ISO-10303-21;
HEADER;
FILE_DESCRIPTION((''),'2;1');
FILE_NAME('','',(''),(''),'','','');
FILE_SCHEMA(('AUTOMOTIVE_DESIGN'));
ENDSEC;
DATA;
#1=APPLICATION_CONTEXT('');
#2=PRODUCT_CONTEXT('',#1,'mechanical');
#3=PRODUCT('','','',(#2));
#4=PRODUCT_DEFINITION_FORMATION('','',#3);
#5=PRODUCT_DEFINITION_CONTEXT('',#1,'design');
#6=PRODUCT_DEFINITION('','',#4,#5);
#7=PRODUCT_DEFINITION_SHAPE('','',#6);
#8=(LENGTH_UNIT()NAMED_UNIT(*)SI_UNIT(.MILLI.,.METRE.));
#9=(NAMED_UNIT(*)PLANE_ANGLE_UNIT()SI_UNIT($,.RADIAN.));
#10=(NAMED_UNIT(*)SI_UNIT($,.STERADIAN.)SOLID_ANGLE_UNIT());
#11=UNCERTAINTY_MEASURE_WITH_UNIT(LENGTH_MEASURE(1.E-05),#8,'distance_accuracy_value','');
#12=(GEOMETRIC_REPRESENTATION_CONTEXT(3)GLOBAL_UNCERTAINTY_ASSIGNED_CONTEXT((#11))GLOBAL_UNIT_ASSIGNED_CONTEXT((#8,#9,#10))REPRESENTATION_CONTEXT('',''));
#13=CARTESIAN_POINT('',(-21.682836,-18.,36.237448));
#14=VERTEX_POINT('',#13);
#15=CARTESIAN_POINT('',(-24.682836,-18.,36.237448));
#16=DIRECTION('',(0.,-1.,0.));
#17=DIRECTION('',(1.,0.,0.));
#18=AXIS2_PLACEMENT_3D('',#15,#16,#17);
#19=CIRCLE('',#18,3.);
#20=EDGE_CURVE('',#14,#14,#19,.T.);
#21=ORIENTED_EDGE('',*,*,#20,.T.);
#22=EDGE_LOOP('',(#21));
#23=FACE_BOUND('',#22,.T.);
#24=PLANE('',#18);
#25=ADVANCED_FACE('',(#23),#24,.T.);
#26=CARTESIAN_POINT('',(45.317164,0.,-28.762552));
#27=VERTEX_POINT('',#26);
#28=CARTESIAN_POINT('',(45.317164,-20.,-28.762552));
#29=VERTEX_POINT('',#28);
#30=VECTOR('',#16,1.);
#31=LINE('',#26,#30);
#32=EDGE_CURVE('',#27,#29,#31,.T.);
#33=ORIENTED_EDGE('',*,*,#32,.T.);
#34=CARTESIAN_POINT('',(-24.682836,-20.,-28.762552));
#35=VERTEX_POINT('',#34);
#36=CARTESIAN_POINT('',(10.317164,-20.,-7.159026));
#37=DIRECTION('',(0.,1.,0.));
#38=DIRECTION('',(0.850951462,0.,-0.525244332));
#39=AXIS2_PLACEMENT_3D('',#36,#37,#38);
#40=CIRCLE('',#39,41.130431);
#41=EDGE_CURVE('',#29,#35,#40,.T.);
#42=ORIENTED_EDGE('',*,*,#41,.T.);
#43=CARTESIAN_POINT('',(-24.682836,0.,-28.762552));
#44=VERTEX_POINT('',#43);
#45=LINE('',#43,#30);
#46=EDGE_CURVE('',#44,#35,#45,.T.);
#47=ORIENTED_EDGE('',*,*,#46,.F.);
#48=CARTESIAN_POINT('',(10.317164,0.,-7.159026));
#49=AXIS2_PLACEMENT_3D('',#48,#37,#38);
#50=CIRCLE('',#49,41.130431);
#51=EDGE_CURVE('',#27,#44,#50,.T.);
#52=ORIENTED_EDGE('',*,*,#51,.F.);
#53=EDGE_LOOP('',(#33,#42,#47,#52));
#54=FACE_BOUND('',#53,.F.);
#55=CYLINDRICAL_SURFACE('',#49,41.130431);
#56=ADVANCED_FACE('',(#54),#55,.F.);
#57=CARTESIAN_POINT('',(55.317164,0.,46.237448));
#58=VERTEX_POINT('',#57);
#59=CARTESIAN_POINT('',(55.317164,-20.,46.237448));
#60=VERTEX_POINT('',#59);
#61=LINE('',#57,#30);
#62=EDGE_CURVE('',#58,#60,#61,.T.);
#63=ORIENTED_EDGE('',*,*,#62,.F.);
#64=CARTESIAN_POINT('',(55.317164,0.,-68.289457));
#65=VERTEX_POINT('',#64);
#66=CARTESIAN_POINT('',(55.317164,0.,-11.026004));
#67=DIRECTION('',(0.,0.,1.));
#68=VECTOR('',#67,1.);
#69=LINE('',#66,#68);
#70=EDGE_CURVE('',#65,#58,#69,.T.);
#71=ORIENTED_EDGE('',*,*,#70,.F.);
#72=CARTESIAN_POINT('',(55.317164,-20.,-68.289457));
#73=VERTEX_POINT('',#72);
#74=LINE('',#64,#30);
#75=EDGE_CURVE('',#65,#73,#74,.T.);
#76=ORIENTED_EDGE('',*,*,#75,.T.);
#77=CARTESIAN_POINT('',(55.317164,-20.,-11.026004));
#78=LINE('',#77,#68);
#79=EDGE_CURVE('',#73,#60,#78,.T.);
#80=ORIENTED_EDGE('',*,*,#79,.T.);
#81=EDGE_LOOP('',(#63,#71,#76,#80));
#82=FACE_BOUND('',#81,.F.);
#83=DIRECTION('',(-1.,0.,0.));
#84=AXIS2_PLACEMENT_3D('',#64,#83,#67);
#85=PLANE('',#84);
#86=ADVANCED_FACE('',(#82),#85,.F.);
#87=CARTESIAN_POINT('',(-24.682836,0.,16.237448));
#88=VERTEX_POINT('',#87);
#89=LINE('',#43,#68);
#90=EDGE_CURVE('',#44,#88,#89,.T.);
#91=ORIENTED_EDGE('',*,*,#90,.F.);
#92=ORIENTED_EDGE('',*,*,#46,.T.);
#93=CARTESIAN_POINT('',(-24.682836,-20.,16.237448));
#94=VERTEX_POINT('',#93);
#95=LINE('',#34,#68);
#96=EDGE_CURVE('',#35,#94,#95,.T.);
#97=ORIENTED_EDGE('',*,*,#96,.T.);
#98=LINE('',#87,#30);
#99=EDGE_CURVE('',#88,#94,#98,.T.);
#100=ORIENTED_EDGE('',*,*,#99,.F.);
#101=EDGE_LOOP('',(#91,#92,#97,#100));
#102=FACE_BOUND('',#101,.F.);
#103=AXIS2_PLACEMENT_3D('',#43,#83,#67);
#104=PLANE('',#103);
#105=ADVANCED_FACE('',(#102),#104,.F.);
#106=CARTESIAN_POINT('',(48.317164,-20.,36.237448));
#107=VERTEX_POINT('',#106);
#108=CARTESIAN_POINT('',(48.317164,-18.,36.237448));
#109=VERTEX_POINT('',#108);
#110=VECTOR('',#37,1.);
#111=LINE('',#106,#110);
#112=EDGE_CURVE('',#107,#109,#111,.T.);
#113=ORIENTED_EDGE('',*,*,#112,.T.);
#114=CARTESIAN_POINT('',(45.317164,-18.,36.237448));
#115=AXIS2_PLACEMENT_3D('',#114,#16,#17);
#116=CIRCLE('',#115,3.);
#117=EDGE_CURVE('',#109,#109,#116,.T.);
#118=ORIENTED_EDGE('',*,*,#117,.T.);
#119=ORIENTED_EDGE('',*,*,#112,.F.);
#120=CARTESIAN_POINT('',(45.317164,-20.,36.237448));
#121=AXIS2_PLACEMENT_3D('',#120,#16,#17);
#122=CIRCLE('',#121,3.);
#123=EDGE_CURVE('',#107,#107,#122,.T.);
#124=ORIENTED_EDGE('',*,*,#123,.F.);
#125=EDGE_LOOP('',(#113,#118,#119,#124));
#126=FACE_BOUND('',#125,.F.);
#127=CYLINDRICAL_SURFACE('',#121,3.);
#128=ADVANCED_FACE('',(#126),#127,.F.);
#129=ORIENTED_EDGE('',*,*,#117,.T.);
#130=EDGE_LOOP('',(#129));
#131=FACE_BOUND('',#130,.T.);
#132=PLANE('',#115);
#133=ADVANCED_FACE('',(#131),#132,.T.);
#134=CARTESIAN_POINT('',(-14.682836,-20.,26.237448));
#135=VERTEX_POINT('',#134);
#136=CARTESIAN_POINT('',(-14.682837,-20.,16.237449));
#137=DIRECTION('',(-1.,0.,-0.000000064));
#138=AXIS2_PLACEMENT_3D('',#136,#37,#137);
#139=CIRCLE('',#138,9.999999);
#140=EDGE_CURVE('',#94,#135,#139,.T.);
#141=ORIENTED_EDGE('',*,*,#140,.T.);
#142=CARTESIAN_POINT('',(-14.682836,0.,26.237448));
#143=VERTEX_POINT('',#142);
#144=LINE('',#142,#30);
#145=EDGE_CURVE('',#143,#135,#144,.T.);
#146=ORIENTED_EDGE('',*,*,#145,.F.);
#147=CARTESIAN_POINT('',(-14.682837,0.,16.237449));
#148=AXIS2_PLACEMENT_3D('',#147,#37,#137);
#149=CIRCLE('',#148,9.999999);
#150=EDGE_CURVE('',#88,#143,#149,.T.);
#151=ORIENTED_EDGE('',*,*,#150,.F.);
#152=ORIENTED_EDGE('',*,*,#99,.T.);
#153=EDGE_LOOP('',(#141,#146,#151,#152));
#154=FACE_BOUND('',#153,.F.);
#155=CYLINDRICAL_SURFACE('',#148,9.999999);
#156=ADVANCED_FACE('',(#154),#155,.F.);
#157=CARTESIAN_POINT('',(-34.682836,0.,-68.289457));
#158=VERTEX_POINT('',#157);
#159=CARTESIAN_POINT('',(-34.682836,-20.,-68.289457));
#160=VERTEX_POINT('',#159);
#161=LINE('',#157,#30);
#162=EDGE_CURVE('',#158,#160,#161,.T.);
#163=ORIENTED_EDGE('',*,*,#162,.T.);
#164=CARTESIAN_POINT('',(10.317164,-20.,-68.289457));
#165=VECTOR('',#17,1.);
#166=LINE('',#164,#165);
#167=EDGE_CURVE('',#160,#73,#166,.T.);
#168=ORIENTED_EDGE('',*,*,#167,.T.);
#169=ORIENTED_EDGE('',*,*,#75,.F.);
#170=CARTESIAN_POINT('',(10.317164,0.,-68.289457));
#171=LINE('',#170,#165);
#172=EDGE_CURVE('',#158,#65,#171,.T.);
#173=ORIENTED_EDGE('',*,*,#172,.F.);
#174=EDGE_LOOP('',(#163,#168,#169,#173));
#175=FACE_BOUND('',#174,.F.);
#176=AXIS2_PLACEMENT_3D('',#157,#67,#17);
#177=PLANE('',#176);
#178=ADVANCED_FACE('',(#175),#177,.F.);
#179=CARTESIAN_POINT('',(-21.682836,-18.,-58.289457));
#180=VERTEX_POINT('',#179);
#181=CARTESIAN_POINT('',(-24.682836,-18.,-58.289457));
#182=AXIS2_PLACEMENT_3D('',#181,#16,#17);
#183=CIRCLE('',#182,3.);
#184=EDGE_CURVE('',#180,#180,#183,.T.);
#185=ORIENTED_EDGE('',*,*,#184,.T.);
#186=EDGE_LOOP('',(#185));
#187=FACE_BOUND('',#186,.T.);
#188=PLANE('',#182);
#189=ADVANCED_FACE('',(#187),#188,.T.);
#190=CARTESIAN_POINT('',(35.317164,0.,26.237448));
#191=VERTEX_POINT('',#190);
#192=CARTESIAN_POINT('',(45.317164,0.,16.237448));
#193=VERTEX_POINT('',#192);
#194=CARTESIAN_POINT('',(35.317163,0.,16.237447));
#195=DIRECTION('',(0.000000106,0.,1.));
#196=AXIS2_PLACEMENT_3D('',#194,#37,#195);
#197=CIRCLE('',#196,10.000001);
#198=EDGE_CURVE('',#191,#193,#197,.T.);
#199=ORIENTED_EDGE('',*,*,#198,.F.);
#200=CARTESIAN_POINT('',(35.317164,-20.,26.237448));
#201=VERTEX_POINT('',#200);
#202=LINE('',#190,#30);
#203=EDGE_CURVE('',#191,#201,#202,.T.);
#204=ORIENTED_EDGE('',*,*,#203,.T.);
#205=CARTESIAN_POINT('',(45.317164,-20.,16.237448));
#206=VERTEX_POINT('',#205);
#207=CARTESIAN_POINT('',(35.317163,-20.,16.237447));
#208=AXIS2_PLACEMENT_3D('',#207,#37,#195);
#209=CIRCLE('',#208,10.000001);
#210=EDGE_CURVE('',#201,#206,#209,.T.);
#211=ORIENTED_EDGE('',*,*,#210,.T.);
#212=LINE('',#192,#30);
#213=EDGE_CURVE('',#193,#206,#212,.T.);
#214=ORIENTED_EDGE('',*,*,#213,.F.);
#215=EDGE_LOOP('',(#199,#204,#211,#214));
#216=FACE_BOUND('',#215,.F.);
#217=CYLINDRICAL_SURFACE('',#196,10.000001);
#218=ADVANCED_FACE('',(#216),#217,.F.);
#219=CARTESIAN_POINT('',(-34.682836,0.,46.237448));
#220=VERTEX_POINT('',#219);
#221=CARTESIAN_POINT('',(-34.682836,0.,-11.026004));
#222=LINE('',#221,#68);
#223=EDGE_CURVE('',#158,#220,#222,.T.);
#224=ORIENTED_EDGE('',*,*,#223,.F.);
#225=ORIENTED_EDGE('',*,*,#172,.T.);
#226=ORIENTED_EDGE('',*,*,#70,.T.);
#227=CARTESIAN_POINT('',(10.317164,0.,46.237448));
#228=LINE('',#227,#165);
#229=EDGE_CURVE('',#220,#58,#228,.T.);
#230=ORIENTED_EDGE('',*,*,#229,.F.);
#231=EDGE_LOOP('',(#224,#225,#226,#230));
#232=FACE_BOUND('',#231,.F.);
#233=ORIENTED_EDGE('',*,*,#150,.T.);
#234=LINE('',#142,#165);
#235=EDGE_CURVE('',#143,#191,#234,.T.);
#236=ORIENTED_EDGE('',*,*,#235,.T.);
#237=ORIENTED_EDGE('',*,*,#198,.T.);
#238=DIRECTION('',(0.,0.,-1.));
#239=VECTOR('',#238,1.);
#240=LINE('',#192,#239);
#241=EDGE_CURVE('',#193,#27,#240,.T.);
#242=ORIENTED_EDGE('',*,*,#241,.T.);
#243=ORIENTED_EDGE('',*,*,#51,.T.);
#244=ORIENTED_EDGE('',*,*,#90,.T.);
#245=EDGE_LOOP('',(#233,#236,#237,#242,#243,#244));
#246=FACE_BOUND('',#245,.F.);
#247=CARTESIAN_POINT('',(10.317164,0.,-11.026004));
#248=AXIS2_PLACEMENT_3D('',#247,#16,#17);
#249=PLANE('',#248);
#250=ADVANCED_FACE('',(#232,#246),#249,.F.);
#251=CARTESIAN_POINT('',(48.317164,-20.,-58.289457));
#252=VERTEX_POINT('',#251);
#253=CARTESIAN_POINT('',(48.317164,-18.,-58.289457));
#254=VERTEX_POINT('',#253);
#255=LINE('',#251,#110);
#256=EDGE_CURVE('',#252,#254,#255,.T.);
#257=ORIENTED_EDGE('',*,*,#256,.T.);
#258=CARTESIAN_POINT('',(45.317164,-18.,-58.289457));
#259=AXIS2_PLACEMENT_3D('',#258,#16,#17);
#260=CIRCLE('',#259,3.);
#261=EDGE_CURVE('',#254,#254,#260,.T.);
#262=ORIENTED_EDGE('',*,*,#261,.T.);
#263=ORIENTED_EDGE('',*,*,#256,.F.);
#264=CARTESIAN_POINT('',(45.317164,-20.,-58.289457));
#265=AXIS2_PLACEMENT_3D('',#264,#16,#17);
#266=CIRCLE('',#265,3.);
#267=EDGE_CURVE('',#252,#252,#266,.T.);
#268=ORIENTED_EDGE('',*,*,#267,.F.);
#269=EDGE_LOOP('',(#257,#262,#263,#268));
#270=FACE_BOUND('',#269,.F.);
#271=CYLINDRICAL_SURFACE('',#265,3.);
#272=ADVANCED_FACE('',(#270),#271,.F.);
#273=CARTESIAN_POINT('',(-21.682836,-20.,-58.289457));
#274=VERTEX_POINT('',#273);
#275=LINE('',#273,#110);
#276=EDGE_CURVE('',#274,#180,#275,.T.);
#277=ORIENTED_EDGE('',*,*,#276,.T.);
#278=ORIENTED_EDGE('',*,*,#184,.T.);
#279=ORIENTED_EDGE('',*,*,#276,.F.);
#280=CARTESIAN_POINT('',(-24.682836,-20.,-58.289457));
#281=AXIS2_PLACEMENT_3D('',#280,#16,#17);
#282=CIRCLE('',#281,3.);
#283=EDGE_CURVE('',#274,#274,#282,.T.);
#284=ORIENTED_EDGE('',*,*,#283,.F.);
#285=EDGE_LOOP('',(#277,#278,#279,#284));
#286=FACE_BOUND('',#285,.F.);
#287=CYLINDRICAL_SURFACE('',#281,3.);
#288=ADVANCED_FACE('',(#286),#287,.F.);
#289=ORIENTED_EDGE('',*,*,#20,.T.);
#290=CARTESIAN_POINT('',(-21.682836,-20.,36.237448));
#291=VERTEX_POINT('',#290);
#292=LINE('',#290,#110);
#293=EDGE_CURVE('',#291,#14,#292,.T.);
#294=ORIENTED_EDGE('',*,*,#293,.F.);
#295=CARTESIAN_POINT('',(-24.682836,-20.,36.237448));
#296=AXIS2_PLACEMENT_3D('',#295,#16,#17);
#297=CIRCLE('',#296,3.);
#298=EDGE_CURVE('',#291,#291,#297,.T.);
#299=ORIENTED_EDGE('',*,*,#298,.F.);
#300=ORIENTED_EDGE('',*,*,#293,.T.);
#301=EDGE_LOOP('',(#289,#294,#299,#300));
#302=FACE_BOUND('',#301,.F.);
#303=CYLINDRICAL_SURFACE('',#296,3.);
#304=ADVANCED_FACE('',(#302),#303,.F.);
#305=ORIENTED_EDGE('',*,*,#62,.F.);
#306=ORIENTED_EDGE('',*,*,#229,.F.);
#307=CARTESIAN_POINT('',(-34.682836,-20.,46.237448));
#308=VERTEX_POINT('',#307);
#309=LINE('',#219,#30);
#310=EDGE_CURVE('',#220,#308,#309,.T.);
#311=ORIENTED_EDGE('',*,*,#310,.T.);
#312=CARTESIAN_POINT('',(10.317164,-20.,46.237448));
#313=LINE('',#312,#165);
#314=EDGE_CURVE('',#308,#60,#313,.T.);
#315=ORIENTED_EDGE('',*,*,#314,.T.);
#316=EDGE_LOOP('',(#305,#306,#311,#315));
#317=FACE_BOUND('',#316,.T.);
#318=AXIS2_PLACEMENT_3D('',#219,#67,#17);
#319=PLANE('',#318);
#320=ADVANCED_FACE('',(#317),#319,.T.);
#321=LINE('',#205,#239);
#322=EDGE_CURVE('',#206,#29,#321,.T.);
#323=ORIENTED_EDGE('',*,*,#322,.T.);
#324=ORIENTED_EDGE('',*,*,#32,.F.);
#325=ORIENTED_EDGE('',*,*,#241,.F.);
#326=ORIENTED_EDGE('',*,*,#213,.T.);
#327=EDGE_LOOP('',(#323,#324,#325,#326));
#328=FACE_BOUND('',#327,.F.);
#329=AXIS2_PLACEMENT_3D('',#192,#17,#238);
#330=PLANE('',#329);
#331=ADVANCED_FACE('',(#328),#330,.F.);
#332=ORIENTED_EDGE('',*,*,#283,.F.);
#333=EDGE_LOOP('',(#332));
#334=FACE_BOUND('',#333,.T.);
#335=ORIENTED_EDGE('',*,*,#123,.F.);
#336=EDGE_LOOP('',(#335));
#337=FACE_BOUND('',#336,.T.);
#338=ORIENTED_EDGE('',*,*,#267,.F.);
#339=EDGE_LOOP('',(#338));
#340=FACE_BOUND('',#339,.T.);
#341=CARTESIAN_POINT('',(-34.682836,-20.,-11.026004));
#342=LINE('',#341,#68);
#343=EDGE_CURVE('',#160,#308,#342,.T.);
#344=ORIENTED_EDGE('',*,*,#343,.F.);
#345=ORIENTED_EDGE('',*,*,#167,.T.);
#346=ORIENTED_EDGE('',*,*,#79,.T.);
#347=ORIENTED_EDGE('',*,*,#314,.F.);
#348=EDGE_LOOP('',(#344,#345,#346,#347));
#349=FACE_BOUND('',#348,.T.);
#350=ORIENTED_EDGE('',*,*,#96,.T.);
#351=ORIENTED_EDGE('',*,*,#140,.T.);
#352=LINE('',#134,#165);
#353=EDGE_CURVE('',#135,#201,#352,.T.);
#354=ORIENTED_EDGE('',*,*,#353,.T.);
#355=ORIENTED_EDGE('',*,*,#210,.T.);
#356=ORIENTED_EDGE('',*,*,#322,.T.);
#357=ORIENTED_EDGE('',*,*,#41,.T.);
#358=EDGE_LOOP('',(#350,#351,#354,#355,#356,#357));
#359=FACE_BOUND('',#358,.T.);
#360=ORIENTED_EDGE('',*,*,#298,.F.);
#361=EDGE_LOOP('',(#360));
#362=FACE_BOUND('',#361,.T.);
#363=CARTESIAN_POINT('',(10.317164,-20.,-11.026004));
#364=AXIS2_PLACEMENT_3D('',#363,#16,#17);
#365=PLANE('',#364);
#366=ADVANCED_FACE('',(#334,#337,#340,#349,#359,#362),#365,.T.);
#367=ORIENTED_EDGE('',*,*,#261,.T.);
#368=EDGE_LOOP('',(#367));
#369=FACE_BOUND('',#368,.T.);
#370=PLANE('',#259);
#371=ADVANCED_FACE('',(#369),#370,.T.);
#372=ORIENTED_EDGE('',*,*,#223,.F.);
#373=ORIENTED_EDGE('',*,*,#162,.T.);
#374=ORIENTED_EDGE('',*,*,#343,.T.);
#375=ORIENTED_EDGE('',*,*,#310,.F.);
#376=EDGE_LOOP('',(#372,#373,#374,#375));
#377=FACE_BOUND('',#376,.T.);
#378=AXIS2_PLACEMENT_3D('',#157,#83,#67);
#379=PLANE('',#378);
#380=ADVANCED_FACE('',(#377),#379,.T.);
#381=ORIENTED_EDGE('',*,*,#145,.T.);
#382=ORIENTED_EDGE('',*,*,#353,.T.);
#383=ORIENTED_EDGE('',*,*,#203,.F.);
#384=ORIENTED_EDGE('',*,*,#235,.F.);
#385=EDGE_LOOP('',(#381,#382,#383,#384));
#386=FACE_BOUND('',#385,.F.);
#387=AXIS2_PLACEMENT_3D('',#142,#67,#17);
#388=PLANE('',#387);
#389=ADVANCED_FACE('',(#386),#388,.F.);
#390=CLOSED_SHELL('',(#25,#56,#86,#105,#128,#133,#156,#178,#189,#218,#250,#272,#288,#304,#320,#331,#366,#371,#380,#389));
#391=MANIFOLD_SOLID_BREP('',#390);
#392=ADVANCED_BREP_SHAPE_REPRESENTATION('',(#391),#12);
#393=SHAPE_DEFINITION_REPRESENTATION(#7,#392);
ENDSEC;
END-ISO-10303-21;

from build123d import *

# Parameters (mm, degrees)
F0_W     = 90
F0_H     = 114.526905
F0_R     = 3
F1_DEPTH = 20
F2_R     = 3
F3_DEPTH = 2


with BuildPart() as f1:
    # F0 (on Front) → F1 (new body)
    with BuildSketch(Plane.XZ):
        with Locations((10.317164, -11.026004)):
            Rectangle(F0_W, F0_H)
        with Locations((-24.682836, -58.289457)):
            Circle(F0_R, mode=Mode.SUBTRACT)
        with Locations((45.317164, -58.289457)):
            Circle(F0_R, mode=Mode.SUBTRACT)
        with Locations((-24.682836, 36.237448)):
            Circle(F0_R, mode=Mode.SUBTRACT)
        with BuildLine():
            ThreePointArc((-24.682836, 16.237448), (-21.753904, 23.308516), (-14.682836, 26.237448))
            Line((-14.682836, 26.237448), (35.317164, 26.237448))
            ThreePointArc((35.317164, 26.237448), (42.388231, 23.308516), (45.317164, 16.237448))
            Line((45.317164, 16.237448), (45.317164, -28.762552))
            ThreePointArc((45.317164, -28.762552), (10.317164, -48.289457), (-24.682836, -28.762552))
            Line((-24.682836, -28.762552), (-24.682836, 16.237448))
        make_face(mode=Mode.SUBTRACT)
        with Locations((45.317164, 36.237448)):
            Circle(F0_R, mode=Mode.SUBTRACT)
        with Locations((45.317164, -58.289457)):
            Circle(F0_R)
        with Locations((-24.682836, -58.289457)):
            Circle(F0_R)
        with Locations((45.317164, 36.237448)):
            Circle(F0_R)
        with Locations((-24.682836, 36.237448)):
            Circle(F0_R)
    extrude(amount=F1_DEPTH)

    # F2 (on face) → F3 (cut)
    with BuildSketch(Plane.XZ.offset(20)):
        with Locations((-24.682836, 36.237448)):
            Circle(F2_R)
        with Locations((45.317164, 36.237448)):
            Circle(F2_R)
        with Locations((-24.682836, -58.289457)):
            Circle(F2_R)
        with Locations((45.317164, -58.289457)):
            Circle(F2_R)
    extrude(amount=-F3_DEPTH, mode=Mode.SUBTRACT)


solid = f1.part
